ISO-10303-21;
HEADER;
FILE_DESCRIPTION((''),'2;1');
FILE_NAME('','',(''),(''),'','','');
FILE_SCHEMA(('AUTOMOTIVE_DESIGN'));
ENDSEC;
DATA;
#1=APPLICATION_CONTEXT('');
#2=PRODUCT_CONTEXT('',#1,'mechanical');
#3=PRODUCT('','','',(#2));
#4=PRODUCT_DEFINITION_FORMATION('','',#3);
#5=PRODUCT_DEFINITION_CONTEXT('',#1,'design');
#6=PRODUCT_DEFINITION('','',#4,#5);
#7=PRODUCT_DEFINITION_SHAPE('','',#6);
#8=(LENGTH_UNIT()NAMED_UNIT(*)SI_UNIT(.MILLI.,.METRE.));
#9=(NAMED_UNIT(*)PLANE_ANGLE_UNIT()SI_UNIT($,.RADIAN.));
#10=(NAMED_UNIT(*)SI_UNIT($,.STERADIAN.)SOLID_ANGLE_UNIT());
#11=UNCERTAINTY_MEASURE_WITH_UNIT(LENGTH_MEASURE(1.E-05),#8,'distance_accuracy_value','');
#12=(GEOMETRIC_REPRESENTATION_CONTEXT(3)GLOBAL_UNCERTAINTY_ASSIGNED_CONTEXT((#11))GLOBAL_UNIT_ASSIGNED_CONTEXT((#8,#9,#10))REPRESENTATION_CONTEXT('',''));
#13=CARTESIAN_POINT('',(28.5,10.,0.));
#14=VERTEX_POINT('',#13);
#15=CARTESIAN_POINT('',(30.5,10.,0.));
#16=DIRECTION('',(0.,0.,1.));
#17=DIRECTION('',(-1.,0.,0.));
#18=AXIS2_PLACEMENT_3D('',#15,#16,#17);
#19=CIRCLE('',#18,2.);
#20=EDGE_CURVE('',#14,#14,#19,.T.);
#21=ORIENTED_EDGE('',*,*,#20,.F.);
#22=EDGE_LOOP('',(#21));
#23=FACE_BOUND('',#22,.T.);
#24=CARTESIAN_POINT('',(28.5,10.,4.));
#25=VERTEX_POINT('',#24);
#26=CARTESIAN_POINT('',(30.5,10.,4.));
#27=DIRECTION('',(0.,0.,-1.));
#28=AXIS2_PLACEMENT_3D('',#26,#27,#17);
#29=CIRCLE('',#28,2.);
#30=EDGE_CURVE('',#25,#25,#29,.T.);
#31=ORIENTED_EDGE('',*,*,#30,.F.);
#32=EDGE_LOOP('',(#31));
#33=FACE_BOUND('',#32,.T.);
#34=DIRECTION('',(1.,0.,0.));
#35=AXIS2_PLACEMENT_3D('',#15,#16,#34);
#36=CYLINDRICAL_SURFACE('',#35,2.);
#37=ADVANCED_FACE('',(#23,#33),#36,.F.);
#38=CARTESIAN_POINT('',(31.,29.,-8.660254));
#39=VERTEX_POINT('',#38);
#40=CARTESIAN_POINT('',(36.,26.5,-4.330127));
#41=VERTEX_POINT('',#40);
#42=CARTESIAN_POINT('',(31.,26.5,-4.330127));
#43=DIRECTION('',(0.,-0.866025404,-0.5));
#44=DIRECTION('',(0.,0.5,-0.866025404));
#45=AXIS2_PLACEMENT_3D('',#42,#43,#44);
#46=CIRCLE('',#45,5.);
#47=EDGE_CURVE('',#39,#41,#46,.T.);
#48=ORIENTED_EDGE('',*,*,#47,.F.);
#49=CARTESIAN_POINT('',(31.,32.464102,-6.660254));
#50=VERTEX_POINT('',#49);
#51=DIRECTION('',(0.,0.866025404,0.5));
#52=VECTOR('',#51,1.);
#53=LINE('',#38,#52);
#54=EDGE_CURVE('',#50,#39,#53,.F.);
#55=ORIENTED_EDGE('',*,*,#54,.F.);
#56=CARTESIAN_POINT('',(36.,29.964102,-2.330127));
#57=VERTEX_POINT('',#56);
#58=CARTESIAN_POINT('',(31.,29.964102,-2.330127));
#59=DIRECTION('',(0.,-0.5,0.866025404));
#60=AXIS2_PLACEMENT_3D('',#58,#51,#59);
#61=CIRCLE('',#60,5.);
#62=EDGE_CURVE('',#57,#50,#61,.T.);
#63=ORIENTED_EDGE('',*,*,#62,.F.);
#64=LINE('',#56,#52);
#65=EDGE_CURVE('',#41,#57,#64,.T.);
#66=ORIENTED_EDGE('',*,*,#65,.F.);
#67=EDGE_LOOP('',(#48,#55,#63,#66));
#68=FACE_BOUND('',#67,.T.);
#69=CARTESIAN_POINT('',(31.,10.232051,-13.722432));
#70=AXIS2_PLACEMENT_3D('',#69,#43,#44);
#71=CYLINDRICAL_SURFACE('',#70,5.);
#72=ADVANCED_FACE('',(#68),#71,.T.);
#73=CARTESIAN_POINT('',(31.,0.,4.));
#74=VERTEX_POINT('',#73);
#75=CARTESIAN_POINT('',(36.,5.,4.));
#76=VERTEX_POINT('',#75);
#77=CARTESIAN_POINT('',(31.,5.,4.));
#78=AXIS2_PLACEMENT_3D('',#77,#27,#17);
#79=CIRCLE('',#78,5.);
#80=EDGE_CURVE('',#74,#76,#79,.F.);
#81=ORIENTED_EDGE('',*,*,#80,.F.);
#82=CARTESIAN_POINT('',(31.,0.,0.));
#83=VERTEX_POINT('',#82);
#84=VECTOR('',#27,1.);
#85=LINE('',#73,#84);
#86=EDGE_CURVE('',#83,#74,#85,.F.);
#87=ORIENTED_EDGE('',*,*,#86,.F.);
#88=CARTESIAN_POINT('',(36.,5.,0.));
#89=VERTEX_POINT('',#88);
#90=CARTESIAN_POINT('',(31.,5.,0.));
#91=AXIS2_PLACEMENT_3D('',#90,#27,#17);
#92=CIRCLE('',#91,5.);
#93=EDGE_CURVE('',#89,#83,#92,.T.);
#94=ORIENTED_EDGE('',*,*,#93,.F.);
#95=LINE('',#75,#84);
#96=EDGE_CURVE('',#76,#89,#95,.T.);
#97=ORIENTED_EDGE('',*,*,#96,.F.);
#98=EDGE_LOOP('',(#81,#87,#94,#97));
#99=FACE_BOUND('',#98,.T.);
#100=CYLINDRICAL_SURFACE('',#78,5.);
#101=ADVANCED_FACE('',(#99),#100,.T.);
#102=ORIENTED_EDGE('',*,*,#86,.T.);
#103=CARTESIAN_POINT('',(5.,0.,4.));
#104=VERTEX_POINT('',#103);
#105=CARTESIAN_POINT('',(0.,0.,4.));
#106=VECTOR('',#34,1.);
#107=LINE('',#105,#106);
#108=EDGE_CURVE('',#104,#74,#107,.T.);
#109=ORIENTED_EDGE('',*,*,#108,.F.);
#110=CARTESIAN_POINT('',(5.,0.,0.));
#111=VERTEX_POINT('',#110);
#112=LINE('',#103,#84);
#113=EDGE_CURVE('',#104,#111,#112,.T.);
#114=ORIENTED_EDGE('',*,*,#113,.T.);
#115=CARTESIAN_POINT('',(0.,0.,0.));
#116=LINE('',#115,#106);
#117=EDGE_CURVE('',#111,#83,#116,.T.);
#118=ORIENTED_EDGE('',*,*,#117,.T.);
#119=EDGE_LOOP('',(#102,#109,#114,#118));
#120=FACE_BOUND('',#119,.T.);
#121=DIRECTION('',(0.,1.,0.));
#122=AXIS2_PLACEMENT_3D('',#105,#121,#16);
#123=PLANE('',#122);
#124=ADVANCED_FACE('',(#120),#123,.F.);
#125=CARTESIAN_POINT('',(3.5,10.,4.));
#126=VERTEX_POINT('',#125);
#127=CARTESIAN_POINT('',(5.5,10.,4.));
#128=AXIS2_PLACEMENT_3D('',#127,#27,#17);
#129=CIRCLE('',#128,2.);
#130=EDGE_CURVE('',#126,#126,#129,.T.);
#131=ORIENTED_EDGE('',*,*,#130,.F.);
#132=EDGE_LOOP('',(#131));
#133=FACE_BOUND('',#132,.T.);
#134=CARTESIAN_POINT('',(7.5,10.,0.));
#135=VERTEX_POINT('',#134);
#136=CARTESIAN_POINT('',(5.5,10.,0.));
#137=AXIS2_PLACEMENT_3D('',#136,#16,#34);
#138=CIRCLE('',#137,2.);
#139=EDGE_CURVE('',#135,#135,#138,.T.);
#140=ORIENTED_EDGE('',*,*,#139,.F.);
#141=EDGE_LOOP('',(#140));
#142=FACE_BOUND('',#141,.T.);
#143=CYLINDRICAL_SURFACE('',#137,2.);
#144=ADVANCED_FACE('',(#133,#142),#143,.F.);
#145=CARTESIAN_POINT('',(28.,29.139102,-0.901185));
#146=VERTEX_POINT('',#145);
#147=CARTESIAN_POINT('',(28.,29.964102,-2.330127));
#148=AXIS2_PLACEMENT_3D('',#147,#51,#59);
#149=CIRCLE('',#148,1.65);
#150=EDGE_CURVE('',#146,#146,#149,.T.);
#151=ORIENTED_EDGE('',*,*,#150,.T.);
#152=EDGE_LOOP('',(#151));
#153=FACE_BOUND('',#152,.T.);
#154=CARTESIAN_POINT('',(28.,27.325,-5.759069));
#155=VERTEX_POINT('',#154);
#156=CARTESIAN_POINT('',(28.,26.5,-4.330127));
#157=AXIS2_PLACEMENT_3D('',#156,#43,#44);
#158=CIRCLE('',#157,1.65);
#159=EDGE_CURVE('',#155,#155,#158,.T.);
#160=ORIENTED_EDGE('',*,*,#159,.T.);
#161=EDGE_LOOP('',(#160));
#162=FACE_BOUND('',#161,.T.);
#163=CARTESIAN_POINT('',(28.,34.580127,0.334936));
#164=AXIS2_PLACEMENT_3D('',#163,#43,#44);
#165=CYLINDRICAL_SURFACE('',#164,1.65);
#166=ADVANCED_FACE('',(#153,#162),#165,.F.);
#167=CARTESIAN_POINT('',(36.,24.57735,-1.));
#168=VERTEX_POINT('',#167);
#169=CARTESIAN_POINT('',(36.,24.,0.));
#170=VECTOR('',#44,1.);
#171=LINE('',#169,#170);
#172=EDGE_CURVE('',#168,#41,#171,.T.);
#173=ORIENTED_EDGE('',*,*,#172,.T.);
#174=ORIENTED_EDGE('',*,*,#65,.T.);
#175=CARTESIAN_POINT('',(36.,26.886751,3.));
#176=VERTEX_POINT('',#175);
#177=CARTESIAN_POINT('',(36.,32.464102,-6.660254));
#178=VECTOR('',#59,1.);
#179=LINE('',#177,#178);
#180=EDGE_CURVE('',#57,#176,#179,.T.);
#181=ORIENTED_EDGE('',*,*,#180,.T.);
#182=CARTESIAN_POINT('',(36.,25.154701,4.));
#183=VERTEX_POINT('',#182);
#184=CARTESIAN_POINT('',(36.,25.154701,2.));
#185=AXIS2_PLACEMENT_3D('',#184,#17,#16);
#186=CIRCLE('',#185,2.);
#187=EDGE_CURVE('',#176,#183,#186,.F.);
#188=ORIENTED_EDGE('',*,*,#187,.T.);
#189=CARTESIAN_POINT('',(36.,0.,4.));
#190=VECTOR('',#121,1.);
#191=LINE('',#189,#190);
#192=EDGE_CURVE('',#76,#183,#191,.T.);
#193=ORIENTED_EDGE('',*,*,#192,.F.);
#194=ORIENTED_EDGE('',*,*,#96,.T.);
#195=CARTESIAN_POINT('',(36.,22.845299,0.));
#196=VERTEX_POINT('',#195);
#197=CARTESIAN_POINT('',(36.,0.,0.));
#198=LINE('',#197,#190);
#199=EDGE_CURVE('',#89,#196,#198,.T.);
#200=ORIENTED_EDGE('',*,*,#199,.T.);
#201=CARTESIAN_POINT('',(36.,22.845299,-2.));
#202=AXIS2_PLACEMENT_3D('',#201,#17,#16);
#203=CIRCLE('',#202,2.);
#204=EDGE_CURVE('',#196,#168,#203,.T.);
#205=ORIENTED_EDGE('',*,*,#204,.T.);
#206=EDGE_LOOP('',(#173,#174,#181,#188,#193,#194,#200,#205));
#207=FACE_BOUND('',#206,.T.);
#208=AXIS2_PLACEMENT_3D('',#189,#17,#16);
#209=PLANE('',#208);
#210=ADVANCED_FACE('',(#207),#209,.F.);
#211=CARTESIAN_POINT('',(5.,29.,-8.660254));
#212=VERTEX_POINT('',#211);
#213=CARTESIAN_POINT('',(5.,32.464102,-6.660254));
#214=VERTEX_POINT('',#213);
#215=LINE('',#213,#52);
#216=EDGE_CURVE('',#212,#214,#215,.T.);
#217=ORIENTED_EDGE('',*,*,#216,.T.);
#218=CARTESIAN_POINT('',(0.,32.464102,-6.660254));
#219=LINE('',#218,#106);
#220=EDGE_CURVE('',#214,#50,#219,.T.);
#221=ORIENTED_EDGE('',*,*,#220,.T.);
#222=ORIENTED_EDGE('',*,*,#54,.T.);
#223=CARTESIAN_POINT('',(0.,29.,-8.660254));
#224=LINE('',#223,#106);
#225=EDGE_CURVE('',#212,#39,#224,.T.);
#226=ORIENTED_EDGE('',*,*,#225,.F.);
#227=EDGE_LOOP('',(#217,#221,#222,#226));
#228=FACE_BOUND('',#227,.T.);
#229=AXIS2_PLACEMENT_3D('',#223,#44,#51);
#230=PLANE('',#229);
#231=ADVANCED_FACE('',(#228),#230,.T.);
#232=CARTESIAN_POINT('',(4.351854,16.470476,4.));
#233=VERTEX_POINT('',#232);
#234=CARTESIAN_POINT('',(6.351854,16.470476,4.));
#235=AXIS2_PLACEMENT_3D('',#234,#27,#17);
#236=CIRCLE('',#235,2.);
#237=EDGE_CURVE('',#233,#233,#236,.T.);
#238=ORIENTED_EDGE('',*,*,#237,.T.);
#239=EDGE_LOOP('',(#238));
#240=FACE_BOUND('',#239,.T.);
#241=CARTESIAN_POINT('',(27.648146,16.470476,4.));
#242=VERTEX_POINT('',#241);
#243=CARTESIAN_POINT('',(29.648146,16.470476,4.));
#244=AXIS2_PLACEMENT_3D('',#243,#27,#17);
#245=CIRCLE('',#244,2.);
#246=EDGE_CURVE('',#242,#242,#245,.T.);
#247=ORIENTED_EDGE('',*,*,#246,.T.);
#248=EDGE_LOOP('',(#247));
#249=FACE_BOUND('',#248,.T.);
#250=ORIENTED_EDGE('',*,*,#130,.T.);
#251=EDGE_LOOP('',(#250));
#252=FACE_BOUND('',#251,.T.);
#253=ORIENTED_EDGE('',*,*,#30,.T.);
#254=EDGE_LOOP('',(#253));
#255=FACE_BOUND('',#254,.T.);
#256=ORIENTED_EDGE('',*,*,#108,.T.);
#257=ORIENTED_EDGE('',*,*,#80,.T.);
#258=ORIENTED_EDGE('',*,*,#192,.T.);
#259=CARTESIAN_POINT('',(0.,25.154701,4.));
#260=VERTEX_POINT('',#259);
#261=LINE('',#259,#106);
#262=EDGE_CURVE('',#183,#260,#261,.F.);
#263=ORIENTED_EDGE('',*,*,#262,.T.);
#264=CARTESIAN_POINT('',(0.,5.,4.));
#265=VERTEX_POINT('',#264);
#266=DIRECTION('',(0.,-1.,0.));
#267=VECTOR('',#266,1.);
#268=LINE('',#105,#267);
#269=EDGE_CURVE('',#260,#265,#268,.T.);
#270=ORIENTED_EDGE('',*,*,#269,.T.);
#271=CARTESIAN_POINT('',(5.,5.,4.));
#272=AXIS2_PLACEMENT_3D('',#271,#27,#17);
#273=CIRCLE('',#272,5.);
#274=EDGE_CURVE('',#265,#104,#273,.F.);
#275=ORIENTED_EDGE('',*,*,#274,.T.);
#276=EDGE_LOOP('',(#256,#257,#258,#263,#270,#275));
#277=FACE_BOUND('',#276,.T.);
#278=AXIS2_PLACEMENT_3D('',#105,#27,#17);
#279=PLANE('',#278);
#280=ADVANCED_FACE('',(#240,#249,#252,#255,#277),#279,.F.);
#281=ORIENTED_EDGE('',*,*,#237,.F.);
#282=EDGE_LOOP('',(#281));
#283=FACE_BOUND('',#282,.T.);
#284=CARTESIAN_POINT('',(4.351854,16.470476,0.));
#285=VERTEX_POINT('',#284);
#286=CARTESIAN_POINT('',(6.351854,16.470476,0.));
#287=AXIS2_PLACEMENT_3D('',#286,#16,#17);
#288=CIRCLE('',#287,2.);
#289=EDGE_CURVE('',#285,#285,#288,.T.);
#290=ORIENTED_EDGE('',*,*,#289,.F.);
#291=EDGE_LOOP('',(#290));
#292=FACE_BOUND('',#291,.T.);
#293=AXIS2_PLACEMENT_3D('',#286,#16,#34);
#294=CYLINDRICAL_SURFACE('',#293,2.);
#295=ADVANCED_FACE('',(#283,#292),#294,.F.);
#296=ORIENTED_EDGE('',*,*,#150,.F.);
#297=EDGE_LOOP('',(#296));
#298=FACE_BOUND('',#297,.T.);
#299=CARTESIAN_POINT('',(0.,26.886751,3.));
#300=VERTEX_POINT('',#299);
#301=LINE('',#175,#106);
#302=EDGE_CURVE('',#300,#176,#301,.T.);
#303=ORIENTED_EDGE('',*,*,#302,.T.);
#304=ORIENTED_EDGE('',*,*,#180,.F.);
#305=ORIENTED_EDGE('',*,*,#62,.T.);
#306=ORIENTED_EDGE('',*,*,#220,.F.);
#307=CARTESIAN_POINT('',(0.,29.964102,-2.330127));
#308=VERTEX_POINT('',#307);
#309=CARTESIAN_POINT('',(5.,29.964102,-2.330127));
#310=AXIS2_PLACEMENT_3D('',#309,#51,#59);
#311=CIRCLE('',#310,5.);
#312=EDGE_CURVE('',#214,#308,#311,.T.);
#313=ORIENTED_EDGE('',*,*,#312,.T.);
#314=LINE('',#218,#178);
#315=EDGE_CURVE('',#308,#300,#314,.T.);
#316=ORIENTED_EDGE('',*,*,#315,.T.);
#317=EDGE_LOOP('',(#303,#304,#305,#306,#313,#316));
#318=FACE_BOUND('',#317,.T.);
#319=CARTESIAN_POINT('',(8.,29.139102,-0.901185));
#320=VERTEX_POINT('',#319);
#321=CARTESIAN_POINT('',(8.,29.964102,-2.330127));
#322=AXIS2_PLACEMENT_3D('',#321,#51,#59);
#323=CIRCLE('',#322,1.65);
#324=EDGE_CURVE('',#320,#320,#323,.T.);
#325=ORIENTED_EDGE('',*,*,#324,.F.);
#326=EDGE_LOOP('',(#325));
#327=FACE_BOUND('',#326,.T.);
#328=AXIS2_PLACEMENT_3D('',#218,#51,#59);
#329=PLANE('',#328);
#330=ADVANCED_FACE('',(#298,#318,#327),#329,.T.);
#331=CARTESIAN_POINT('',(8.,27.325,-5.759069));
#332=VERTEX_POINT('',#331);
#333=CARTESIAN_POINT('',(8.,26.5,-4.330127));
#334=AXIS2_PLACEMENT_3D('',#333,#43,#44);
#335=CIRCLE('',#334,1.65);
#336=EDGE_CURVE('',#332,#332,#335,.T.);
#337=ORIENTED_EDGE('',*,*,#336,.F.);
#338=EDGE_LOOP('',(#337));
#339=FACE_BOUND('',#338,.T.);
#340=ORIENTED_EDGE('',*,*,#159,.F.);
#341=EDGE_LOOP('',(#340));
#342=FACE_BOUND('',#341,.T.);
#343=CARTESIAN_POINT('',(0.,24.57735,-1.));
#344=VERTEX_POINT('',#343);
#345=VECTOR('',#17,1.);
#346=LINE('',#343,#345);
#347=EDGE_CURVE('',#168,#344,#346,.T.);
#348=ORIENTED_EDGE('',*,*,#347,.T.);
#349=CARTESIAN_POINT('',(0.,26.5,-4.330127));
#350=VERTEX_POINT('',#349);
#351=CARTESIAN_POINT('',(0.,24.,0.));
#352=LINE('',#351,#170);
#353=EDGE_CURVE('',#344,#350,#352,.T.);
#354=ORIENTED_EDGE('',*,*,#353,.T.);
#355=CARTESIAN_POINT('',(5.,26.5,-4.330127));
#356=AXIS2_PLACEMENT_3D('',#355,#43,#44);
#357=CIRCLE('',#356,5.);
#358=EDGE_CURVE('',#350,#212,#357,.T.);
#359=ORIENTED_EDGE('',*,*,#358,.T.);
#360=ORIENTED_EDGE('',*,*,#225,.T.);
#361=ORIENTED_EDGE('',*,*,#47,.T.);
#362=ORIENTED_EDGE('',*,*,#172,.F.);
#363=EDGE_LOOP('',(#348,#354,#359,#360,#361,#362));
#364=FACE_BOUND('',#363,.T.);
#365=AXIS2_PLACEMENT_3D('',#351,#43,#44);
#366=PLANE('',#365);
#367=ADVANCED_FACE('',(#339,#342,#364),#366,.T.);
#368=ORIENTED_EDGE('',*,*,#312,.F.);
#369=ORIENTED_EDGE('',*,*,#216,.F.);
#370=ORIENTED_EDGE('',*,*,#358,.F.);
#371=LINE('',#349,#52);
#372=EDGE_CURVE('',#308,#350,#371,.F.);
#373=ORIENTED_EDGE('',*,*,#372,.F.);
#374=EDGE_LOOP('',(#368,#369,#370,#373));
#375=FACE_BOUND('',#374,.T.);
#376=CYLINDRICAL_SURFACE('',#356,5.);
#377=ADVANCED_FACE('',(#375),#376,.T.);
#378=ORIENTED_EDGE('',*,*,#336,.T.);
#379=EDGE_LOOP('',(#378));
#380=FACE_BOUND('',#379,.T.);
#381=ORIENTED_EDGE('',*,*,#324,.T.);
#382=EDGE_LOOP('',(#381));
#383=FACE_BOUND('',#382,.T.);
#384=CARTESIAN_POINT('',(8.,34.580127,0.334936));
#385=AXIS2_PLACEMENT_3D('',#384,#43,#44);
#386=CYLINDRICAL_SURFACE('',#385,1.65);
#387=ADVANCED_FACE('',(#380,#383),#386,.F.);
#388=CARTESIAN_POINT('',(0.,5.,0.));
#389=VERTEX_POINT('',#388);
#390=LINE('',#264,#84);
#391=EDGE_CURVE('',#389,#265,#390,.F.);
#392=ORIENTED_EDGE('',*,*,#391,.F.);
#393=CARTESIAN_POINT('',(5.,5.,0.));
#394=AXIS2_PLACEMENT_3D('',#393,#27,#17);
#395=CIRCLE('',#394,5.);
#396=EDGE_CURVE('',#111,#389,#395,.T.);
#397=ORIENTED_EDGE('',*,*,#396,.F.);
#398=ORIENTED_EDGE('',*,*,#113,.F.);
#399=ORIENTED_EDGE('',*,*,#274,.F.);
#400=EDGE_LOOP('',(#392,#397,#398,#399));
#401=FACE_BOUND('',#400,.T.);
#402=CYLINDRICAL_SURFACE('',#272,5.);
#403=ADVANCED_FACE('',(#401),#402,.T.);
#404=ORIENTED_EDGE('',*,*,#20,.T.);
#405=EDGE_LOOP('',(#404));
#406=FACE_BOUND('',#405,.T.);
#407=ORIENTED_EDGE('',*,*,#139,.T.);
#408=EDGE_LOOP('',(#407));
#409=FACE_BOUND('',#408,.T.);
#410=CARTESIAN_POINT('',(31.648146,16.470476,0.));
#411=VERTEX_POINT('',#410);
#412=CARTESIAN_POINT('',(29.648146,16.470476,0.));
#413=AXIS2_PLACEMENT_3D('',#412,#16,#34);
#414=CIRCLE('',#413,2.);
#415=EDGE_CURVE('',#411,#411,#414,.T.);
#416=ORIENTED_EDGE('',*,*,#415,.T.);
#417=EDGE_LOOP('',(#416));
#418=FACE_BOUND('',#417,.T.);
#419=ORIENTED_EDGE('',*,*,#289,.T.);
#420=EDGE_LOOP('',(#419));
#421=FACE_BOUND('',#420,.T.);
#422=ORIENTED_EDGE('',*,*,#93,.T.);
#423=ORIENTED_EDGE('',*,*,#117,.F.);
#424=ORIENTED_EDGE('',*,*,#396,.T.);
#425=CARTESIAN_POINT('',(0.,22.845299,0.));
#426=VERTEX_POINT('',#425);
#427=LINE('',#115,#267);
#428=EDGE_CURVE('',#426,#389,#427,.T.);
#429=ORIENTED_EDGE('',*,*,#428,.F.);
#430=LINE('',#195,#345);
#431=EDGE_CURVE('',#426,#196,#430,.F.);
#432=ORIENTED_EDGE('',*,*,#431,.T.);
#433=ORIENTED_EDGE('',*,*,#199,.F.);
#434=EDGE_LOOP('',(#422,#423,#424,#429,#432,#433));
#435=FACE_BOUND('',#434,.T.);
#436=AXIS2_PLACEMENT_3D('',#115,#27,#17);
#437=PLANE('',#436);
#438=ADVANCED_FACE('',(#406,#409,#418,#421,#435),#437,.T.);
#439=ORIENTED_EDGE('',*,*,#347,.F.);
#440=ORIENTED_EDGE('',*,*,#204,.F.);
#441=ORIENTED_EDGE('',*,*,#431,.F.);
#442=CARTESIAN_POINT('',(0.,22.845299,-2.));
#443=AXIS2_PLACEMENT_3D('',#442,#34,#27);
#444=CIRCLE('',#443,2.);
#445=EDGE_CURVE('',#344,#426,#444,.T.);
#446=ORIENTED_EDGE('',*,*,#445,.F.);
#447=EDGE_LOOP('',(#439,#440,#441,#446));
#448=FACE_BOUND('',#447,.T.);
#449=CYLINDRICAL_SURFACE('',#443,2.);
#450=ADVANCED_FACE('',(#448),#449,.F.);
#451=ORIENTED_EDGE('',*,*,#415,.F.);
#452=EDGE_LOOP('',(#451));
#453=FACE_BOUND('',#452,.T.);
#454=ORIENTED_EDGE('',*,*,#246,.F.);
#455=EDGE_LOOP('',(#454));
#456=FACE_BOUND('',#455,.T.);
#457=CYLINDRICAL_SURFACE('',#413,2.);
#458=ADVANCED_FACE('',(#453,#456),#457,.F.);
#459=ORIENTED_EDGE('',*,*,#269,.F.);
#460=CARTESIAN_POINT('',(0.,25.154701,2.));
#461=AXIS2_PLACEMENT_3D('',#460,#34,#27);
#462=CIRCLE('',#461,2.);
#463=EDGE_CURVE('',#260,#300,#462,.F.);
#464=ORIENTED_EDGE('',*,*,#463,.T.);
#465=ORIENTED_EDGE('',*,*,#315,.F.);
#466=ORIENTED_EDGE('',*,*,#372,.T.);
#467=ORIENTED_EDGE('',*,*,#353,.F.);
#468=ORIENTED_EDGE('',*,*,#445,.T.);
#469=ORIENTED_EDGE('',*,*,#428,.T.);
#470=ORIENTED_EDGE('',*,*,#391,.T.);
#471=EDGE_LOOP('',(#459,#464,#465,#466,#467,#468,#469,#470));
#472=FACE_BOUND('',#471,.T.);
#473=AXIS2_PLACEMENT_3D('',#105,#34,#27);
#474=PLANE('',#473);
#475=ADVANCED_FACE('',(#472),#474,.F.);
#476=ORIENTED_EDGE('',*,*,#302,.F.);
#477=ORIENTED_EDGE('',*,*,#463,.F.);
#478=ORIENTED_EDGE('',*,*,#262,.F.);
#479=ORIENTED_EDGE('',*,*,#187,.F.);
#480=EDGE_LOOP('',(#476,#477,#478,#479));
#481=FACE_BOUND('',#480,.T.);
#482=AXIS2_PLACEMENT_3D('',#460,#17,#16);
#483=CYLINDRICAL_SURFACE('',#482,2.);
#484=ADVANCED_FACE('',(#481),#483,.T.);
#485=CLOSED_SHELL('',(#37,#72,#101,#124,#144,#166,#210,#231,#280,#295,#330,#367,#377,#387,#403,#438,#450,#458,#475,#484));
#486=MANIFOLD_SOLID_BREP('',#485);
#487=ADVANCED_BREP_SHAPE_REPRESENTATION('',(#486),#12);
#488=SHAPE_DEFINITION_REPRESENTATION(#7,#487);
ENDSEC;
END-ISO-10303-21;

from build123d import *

# Parameters (mm, degrees)
ESQUISSE1_W                  = 36
ESQUISSE1_H                  = 24
BOSS_EXTRU_1_DEPTH           = 4
ESQUISSE2_R                  = 2
ENL_V_MAT_EXTRU_1_DEPTH      = 1
ENL_V_MAT_EXTRU_1_DEPTH_BACK = 5
BOSS_EXTRU_2_DEPTH           = 36
ESQUISSE4_R                  = 1.65
ENL_V_MAT_EXTRU_2_DEPTH      = 26.11473671
ENL_V_MAT_EXTRU_2_DEPTH_BACK = 10.330127019
CONG_2_R                     = 5
CONG_3_R                     = 2


with BuildPart() as part:
    # Esquisse1 → Boss.-Extru.1 (new body)
    with BuildSketch(Plane.XY):
        with Locations((18, 12)):
            Rectangle(ESQUISSE1_W, ESQUISSE1_H)
    extrude(amount=BOSS_EXTRU_1_DEPTH)

    # Esquisse2 → Enlèv. mat.-Extru.1 (cut, two sides)
    with BuildSketch(Plane.XY.offset(4)) as enl_v_mat_extru_1_sk:
        with Locations((5.5, 10)):
            Circle(ESQUISSE2_R)
        with Locations((30.5, 10)):
            Circle(ESQUISSE2_R)
        with Locations((29.648145657, 16.470476128)):
            Circle(ESQUISSE2_R)
        with Locations((6.351854343, 16.470476128)):
            Circle(ESQUISSE2_R)
    extrude(amount=ENL_V_MAT_EXTRU_1_DEPTH, mode=Mode.SUBTRACT)
    extrude(enl_v_mat_extru_1_sk.sketch, amount=-ENL_V_MAT_EXTRU_1_DEPTH_BACK, mode=Mode.SUBTRACT)

    # Esquisse3 → Boss.-Extru.2 (add)
    with BuildSketch(Plane(origin=(36, 0, 0), x_dir=(0, 0, -1), z_dir=(1, 0, 0))):
        Polygon((0, 24), (8.660254038, 29), (6.660254038, 32.464101615), (-4, 26.309401077), (-4, 24), align=None)
    extrude(amount=-BOSS_EXTRU_2_DEPTH)

    # Esquisse4 → Enlèv. mat.-Extru.2 (cut, two sides)
    with BuildSketch(Plane(origin=(0, 18, 10.392304845), x_dir=(1, 0, 0), z_dir=(0, -0.866025404, -0.5))) as enl_v_mat_extru_2_sk:
        with Locations((8, -17)):
            Circle(ESQUISSE4_R)
        with Locations((28, -17)):
            Circle(ESQUISSE4_R)
    extrude(amount=ENL_V_MAT_EXTRU_2_DEPTH, mode=Mode.SUBTRACT)
    extrude(enl_v_mat_extru_2_sk.sketch, amount=-ENL_V_MAT_EXTRU_2_DEPTH_BACK, mode=Mode.SUBTRACT)

    # Congé2
    cong_2_edges = [part.edges().sort_by_distance(p)[0] for p in [
        (0, 30.732050808, -7.660254038),
        (36, 30.732050808, -7.660254038),
        (36, 0, 2),
        (0, 0, 2),
    ]]
    fillet(cong_2_edges, radius=CONG_2_R)

    # Congé3
    cong_3_edges = [part.edges().sort_by_distance(p)[0] for p in [
        (18, 26.309401077, 4),
        (18, 24, 0),
    ]]
    fillet(cong_3_edges, radius=CONG_3_R)


solid = part.part
